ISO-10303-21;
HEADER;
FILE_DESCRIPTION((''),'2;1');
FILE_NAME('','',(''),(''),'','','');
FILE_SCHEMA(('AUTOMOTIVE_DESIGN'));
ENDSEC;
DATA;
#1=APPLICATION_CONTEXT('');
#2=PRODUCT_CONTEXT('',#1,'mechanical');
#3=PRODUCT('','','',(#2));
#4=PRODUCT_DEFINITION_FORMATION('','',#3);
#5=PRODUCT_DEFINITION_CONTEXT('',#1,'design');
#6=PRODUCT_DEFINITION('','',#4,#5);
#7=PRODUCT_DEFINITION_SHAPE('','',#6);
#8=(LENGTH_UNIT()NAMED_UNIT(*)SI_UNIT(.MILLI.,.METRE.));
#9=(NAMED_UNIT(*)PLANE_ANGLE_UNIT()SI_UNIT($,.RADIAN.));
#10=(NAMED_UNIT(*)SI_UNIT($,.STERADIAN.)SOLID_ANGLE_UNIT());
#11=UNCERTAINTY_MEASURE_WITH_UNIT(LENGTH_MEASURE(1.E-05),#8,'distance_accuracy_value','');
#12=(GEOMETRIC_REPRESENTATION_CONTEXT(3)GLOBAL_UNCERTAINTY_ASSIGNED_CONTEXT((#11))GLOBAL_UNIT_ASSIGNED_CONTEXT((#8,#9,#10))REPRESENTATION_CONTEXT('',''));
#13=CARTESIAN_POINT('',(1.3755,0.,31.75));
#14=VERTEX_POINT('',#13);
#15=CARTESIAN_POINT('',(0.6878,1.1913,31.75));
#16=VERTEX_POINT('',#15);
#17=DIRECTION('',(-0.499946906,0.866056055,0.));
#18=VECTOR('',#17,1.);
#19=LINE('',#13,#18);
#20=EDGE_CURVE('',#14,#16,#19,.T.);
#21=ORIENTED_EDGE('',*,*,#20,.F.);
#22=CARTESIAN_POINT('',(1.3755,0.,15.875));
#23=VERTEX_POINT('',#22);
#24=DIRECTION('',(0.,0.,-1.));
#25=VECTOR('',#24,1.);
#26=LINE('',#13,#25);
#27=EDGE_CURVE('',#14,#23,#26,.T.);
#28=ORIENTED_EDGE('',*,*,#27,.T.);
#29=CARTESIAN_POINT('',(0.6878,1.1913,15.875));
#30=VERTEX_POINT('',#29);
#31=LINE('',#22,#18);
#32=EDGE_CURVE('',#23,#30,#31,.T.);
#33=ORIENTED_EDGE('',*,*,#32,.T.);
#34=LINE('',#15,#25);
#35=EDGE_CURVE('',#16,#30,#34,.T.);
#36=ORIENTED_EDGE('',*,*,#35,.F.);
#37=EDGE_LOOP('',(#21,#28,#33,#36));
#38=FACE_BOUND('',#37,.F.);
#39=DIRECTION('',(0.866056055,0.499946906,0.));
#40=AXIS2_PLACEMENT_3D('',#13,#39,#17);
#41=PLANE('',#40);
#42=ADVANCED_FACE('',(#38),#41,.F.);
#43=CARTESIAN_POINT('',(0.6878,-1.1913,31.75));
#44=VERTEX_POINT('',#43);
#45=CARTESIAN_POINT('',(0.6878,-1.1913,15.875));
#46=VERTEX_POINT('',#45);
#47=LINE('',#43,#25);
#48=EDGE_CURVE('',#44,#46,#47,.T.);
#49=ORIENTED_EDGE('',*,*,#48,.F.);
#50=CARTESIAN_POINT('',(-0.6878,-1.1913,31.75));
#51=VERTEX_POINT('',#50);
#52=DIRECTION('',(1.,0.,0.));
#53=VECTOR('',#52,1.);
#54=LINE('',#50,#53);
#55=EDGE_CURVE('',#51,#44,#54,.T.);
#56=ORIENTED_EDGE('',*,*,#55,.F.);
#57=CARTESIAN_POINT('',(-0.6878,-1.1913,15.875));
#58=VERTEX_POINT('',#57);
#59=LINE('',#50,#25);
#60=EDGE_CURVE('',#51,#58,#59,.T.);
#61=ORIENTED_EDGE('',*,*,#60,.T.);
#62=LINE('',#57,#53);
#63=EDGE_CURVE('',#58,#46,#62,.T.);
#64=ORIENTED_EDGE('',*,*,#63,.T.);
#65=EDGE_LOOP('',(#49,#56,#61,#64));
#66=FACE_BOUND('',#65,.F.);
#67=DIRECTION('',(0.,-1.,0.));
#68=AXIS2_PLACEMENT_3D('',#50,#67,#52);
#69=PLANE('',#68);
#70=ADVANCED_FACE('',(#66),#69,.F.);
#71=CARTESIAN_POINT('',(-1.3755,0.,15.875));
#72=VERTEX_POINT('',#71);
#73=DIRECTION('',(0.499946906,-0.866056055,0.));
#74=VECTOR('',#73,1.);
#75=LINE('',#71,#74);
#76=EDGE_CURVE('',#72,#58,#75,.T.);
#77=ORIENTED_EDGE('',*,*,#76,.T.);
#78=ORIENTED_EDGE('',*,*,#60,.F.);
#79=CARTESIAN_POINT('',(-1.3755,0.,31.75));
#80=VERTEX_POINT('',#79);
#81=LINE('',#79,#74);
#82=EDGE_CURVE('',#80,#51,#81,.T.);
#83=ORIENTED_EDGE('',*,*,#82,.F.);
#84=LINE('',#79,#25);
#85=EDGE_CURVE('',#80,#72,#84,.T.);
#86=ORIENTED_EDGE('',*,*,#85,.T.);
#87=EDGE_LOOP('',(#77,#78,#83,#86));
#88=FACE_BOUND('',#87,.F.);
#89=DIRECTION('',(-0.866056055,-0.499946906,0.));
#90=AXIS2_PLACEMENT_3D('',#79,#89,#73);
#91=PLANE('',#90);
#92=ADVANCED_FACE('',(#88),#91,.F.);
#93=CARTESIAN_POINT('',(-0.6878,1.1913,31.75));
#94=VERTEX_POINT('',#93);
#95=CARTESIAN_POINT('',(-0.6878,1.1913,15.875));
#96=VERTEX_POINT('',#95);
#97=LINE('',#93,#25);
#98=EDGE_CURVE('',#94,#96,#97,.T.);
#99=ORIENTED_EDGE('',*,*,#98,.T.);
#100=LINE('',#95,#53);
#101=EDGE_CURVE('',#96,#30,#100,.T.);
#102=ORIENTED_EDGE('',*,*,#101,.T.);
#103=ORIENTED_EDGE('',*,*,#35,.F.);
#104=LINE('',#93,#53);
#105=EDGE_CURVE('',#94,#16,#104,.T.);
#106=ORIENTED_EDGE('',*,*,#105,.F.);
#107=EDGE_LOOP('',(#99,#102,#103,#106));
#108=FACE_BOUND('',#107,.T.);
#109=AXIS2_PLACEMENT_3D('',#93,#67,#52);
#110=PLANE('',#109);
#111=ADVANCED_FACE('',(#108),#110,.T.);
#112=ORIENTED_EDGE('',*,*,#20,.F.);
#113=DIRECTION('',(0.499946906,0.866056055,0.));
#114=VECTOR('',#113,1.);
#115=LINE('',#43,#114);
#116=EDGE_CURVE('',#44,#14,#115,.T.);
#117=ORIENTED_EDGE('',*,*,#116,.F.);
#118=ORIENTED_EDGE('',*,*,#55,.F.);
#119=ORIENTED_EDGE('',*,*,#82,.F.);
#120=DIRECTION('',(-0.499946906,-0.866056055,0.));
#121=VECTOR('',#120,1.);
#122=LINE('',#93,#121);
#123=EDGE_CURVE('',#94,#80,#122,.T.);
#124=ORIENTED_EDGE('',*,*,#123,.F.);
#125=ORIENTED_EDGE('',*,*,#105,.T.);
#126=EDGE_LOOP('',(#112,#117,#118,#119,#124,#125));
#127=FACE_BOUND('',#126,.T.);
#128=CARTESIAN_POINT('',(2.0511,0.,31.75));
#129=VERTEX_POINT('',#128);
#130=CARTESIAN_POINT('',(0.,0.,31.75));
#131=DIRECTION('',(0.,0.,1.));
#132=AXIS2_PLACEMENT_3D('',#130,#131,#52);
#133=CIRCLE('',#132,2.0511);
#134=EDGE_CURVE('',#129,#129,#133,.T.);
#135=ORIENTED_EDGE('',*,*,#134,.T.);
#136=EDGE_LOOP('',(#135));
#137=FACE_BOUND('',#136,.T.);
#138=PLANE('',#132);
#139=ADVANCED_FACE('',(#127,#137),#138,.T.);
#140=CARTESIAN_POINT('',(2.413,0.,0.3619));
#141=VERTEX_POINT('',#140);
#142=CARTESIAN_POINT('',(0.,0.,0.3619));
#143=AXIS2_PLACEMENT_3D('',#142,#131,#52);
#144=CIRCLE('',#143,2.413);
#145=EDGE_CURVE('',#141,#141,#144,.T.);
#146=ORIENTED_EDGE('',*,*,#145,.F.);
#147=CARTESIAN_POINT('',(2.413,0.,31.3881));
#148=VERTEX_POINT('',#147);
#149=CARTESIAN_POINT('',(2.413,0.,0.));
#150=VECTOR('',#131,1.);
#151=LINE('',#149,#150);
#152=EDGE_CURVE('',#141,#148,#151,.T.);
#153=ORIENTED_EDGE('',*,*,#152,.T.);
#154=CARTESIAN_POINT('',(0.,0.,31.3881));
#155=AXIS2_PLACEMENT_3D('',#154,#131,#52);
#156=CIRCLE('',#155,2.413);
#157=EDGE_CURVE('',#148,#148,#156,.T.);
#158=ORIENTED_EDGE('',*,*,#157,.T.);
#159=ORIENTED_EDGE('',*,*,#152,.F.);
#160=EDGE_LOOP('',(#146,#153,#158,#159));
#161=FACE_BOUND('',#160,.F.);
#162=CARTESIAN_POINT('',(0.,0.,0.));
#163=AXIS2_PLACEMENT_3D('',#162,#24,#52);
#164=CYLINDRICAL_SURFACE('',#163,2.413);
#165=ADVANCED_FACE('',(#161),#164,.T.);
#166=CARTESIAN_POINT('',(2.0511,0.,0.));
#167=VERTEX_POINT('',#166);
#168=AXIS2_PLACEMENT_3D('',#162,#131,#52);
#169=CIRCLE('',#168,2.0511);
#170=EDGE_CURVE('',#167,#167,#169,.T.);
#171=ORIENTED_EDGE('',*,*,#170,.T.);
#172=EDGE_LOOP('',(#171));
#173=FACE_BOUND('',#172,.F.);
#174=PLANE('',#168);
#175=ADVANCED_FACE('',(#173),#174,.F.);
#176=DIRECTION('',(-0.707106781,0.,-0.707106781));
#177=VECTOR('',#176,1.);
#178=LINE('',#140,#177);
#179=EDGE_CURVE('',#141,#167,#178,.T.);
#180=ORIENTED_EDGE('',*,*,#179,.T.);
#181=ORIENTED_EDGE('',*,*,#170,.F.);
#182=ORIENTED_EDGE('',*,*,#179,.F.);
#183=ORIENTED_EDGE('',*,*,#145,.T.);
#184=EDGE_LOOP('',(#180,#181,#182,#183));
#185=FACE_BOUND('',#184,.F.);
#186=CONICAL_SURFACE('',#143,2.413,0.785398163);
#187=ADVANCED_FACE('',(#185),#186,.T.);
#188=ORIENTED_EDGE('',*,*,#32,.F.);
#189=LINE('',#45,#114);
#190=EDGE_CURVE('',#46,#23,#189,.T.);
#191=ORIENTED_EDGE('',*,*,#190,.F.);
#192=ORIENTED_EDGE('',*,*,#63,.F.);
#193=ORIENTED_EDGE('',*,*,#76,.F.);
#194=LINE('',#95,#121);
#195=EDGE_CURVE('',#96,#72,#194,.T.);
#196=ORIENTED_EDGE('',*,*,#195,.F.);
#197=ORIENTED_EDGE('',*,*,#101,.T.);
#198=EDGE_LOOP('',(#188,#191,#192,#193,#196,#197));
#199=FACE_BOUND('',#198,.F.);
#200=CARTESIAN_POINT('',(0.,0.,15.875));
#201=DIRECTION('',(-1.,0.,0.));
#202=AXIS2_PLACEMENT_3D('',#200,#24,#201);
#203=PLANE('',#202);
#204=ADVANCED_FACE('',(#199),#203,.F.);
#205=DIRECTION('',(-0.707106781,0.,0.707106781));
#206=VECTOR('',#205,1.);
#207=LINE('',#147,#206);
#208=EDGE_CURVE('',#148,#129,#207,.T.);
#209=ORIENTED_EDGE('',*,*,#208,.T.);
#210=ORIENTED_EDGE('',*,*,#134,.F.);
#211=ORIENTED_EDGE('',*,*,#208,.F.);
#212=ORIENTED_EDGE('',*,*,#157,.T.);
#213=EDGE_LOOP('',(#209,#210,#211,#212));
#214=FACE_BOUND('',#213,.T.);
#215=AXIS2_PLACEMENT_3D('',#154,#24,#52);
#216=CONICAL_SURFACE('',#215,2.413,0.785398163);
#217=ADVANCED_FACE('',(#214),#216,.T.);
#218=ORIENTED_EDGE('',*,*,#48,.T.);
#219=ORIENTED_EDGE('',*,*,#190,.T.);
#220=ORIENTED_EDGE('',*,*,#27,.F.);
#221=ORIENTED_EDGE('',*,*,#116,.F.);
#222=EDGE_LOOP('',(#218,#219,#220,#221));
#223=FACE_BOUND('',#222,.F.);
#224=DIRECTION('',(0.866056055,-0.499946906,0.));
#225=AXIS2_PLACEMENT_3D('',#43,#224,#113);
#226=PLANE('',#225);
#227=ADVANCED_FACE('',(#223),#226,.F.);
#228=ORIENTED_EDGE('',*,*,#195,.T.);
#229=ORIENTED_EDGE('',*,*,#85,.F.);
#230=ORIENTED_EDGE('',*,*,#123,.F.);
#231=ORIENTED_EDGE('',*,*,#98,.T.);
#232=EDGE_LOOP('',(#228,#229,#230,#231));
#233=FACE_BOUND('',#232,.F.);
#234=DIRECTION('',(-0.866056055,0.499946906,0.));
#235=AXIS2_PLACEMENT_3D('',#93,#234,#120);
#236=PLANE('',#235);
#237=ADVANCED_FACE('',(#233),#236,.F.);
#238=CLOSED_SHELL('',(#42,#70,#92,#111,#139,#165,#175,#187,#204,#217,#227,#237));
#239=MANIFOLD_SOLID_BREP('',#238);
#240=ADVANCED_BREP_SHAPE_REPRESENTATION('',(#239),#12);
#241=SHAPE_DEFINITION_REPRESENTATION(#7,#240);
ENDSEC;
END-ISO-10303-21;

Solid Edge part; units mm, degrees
sketch "Sketch1" plane through (0, 0, 0) normal (0, 0, 1) x (1, 0, 0)
  circle A0 centre (0, 0) radius 2.413
  dimension "D1" = 4.826
extrude "Protrusion1" add sketch "Sketch1" along normal blind 31.75
chamfer "Chamfer1" distance 0.3619 angle 45 2 edges at (-2.413, 0, 0) (-2.413, 0, 31.75)
sketch "Sketch2" plane through (0, 0, 31.75) normal (0, 0, 1) x (1, 0, 0)
  line L0 (-0.6878, 1.1913) -> (0.6878, 1.1913)
  line L1 (1.3755, 0) -> (0.6878, 1.1913)
  line L2 (0.6878, -1.1913) -> (1.3755, 0)
  line L3 (-0.6878, -1.1913) -> (0.6878, -1.1913)
  line L4 (-1.3755, 0) -> (-0.6878, -1.1913)
  line L5 (-0.6878, 1.1913) -> (-1.3755, 0)
  dimension "D1" = 2.3825
extrude "Cutout1" cut sketch "Sketch2" against normal blind 15.875
properties part number "24101311"
